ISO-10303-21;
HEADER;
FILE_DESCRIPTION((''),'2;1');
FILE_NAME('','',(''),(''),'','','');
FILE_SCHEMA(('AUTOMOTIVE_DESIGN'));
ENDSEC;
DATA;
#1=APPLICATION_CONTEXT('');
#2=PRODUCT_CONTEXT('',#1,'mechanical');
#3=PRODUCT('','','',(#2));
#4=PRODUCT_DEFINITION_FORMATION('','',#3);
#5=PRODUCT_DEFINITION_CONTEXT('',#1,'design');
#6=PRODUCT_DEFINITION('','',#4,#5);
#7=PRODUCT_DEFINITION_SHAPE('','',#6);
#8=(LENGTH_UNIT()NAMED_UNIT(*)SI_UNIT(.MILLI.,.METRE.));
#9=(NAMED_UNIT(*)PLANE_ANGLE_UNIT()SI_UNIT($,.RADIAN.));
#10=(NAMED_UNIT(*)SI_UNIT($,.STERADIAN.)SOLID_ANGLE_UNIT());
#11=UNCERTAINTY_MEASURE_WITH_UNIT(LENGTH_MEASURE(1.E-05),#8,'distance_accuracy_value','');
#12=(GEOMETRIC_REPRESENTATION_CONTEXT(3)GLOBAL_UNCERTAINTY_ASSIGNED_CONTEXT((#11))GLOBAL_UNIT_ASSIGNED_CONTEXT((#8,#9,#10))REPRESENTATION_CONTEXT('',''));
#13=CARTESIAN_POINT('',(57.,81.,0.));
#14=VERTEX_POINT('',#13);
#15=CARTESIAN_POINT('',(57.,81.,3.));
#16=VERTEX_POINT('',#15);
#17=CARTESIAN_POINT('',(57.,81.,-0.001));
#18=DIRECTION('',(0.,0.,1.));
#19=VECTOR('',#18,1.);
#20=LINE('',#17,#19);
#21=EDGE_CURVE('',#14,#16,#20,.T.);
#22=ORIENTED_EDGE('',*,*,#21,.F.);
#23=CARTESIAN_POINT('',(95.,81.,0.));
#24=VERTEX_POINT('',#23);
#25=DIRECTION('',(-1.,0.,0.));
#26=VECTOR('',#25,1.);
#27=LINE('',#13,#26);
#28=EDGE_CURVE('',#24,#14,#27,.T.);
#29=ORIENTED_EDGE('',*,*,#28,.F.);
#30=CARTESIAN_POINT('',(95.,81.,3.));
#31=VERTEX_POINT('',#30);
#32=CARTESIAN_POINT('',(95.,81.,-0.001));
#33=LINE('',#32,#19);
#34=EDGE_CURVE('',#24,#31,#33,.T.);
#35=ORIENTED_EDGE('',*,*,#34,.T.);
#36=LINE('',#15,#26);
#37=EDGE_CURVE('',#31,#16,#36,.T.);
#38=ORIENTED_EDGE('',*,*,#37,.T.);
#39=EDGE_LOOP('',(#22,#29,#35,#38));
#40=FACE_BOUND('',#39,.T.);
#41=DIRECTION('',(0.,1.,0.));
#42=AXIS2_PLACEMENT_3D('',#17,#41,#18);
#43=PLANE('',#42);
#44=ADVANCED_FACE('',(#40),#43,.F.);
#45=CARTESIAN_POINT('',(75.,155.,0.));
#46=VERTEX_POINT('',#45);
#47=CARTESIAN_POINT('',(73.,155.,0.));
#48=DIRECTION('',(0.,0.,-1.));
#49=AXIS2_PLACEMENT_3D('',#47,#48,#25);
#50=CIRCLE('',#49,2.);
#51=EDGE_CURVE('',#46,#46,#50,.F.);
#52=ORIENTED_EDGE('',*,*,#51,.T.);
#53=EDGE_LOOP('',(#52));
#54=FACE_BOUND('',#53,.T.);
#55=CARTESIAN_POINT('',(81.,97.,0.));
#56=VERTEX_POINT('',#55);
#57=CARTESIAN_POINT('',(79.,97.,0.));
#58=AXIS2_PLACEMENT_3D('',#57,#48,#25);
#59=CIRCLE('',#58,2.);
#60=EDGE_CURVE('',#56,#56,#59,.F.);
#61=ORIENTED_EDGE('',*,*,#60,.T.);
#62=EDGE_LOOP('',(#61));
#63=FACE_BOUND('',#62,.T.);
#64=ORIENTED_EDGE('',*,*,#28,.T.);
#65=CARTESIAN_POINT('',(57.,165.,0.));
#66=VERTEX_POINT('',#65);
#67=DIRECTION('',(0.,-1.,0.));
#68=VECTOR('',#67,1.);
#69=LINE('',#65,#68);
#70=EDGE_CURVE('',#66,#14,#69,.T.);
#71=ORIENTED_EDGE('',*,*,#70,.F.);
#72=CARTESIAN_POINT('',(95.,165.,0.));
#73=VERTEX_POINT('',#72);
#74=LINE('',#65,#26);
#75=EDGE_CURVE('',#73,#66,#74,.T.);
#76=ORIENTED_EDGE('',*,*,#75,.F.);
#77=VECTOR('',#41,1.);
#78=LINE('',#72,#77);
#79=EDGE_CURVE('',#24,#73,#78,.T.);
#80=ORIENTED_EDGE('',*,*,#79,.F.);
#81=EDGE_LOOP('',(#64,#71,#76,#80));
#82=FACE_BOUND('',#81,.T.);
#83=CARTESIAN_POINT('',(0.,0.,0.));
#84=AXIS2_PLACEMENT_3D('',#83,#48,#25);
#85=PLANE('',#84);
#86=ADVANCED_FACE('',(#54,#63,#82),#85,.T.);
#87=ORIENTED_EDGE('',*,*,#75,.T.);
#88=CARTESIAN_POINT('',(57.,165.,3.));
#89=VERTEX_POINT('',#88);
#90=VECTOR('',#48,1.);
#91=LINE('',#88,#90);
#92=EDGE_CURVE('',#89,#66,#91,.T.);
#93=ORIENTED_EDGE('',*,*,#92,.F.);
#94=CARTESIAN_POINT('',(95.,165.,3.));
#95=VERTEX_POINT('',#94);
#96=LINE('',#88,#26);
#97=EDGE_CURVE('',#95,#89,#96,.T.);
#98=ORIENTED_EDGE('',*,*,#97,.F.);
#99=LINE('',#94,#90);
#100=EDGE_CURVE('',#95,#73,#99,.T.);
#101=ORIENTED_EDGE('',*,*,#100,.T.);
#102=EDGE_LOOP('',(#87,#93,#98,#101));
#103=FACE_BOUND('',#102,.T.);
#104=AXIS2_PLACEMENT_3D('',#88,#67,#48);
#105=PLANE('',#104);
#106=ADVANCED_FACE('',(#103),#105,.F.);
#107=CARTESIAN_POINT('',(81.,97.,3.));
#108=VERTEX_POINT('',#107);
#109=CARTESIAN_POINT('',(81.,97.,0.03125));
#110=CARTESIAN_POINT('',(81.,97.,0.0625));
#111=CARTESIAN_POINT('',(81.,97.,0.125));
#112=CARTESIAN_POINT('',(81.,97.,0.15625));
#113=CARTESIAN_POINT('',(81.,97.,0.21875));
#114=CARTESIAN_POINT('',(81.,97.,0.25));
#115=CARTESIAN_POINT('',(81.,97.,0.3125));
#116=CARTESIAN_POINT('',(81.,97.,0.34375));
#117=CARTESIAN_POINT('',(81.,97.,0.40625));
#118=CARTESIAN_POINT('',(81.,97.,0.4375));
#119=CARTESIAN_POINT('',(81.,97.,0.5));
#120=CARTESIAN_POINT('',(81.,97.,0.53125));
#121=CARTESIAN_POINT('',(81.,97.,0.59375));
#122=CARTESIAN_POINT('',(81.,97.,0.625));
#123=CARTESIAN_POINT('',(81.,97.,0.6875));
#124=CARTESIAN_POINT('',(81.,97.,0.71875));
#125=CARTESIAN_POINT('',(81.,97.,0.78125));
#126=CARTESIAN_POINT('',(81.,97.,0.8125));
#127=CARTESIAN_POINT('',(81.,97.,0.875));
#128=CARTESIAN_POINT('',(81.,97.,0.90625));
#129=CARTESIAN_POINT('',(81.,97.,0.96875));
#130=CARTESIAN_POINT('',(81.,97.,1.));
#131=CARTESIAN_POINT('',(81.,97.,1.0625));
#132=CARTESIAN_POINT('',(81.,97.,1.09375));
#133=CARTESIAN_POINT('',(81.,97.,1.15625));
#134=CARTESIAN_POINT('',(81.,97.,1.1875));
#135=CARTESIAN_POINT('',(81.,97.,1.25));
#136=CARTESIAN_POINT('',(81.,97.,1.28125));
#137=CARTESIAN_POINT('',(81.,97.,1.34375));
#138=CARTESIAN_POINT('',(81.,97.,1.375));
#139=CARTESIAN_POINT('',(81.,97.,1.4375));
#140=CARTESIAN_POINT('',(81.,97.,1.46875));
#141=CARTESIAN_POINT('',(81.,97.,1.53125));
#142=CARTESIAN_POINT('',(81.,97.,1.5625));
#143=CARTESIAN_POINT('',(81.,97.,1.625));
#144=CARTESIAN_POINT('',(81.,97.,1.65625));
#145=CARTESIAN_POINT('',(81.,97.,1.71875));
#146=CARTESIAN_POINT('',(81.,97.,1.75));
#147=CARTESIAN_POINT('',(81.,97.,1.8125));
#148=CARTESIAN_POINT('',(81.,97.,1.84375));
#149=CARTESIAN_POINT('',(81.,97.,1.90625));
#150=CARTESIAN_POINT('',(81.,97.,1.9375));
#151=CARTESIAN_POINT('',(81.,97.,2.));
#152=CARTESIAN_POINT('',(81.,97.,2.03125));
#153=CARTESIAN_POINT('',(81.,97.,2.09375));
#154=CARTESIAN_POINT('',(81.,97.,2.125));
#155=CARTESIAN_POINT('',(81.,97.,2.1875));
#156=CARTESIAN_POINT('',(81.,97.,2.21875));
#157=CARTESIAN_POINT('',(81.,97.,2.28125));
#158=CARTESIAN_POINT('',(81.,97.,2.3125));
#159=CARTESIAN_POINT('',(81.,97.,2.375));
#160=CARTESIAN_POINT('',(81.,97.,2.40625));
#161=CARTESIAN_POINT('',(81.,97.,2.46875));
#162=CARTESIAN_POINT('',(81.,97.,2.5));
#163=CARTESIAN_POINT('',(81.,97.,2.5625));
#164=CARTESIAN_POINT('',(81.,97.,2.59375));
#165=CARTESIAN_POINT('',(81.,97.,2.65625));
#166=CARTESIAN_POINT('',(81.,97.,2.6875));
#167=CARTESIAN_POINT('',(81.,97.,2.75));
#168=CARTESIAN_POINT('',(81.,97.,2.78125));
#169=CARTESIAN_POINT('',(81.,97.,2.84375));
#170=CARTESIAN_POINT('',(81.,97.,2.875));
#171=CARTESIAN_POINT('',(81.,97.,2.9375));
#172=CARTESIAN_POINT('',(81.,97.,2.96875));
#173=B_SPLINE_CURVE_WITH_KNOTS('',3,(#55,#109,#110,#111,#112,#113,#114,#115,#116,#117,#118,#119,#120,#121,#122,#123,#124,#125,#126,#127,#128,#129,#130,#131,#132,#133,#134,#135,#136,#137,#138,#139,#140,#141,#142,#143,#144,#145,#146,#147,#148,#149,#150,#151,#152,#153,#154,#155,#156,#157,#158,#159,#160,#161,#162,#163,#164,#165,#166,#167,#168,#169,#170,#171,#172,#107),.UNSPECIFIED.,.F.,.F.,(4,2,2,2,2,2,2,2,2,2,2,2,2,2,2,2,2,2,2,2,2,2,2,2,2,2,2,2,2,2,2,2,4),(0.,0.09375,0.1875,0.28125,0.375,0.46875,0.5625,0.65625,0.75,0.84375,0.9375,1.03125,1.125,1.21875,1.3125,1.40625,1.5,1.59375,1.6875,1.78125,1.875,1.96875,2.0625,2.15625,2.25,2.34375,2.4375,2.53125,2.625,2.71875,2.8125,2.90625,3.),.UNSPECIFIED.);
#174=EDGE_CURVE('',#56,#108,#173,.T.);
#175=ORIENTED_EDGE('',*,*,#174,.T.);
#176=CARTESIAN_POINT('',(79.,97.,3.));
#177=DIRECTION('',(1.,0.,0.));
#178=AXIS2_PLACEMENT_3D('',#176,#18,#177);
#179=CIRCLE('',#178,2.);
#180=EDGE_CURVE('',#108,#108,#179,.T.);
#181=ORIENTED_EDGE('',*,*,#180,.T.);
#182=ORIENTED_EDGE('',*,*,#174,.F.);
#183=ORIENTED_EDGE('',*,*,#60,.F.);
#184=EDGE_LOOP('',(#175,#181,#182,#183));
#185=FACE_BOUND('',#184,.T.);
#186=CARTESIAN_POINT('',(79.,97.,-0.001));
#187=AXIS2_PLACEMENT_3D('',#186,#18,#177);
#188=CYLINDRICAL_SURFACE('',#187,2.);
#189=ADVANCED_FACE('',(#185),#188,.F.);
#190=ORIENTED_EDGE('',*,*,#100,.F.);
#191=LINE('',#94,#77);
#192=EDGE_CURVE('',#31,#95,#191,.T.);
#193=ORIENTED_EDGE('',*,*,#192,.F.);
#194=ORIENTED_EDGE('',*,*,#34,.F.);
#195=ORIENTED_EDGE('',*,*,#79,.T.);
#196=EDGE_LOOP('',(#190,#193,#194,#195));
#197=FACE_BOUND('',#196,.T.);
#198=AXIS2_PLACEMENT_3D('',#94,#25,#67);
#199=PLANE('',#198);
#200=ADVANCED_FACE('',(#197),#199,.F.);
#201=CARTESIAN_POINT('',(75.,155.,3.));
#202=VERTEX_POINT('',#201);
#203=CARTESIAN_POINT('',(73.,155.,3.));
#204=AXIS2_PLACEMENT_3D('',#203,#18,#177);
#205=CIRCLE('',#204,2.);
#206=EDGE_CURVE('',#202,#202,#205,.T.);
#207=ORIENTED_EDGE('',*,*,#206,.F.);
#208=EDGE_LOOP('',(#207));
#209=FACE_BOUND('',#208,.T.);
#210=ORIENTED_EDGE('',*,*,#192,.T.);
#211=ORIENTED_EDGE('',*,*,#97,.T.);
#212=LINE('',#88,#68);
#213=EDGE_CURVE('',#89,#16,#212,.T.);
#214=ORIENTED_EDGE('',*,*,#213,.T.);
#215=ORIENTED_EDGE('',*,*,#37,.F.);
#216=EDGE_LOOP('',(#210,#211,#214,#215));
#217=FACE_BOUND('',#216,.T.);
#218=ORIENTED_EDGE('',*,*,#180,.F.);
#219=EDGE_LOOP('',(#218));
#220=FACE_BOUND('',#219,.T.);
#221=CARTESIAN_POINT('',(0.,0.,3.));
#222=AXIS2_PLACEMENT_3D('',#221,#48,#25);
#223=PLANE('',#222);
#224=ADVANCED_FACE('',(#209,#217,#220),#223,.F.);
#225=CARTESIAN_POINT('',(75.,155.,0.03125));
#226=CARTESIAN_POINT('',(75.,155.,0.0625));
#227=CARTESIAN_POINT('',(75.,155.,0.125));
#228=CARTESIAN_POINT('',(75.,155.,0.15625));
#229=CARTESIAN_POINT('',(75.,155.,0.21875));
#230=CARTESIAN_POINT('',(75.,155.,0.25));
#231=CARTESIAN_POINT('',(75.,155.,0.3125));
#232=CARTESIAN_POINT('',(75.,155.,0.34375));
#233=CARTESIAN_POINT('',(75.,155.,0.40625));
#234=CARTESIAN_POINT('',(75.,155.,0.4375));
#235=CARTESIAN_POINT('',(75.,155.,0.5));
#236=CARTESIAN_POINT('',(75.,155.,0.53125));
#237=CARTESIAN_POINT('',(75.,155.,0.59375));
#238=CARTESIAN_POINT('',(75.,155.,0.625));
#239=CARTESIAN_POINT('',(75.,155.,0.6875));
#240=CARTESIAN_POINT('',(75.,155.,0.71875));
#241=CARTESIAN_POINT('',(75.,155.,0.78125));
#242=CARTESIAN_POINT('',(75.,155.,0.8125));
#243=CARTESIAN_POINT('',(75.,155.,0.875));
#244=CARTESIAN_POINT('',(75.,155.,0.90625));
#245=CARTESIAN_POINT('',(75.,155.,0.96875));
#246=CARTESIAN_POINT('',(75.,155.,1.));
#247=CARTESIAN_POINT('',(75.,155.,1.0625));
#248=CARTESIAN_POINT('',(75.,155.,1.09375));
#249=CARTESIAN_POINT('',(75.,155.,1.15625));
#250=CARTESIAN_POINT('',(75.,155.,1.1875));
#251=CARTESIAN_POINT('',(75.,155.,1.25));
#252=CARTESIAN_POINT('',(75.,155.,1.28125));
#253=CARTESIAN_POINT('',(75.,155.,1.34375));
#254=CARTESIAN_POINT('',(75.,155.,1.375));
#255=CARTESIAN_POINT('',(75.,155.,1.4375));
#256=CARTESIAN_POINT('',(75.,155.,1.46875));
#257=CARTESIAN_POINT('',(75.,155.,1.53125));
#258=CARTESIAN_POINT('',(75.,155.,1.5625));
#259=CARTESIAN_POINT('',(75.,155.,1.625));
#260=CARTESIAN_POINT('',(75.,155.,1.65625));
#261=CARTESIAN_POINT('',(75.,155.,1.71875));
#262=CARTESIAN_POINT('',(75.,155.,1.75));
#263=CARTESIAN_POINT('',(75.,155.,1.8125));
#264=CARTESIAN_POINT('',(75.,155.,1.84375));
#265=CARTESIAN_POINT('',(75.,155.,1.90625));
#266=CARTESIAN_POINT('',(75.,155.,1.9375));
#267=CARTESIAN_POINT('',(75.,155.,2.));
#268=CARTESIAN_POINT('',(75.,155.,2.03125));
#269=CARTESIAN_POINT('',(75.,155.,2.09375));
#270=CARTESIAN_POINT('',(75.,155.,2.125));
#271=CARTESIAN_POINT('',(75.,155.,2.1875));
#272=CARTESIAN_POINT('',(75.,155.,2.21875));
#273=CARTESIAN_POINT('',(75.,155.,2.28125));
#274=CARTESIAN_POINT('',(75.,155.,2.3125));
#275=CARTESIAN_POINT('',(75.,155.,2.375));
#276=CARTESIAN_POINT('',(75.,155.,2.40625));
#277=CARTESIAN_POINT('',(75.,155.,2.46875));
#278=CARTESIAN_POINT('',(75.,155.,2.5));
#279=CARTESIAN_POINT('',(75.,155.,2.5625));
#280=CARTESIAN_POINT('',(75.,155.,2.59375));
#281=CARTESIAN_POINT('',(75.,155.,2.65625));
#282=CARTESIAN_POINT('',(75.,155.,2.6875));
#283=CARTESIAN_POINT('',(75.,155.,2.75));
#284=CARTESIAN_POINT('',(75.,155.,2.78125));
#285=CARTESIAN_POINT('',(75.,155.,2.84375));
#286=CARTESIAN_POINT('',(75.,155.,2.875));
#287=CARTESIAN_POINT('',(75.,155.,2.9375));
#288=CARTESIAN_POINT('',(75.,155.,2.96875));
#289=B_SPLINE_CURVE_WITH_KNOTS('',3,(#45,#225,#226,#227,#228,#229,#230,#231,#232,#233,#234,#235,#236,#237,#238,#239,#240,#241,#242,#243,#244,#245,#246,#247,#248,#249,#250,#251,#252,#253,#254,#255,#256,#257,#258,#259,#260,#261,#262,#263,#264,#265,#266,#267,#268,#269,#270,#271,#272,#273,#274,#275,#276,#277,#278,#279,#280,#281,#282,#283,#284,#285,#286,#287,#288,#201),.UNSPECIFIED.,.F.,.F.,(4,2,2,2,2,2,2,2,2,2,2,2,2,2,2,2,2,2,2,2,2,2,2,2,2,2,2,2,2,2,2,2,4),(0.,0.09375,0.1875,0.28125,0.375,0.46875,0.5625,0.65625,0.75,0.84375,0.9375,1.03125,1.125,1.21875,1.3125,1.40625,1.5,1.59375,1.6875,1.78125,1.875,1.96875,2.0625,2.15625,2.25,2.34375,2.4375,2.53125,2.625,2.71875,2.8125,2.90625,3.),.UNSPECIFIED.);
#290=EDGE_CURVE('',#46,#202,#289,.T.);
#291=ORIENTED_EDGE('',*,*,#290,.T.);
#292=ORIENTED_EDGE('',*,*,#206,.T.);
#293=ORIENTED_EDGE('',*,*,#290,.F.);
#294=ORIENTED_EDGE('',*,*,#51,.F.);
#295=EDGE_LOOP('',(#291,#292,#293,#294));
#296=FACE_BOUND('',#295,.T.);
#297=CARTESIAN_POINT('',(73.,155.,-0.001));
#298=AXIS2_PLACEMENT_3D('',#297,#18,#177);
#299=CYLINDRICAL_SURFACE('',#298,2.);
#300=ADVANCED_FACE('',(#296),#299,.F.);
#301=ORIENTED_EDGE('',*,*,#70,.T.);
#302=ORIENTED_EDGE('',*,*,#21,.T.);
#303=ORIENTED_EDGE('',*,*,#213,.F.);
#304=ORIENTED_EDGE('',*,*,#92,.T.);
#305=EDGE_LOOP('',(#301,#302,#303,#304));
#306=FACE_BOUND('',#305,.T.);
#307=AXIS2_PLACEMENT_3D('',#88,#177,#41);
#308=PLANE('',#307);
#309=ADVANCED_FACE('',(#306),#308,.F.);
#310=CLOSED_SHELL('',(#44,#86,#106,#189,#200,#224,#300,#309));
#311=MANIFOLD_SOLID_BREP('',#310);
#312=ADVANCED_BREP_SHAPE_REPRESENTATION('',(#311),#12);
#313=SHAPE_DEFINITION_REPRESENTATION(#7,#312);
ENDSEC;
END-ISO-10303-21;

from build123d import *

# Parameters (mm, degrees)
ESQUISSE1_W             = 38
ESQUISSE1_H             = 320
BOSS_EXTRU_1_DEPTH      = 3
ENL_V_MAT_EXTRU_1_REACH = 192.418
ESQUISSE2_R             = 2
ENL_V_MAT_EXTRU_2_REACH = 192.418
ESQUISSE3_W             = 38
ESQUISSE3_H             = 236


with BuildPart() as part:
    # Esquisse1 → Boss.-Extru.1 (new body)
    with BuildSketch(Plane.XY):
        with Locations((76, 5)):
            Rectangle(ESQUISSE1_W, ESQUISSE1_H)
    extrude(amount=BOSS_EXTRU_1_DEPTH)

    # Esquisse2 → Enlèv. mat.-Extru.1 (cut, up to next)
    with BuildSketch(Plane.XY.offset(3), mode=Mode.PRIVATE) as enl_v_mat_extru_1_sk1:
        with Locations((73, 155)):
            Circle(ESQUISSE2_R)
    enl_v_mat_extru_1_tool1 = extrude(enl_v_mat_extru_1_sk1.sketch, amount=-ENL_V_MAT_EXTRU_1_REACH, mode=Mode.PRIVATE) & part.part
    # Esquisse2 → Enlèv. mat.-Extru.1 (cut, up to next)
    with BuildSketch(Plane.XY.offset(3), mode=Mode.PRIVATE) as enl_v_mat_extru_1_sk2:
        with Locations((79, 97)):
            Circle(ESQUISSE2_R)
    enl_v_mat_extru_1_tool2 = extrude(enl_v_mat_extru_1_sk2.sketch, amount=-ENL_V_MAT_EXTRU_1_REACH, mode=Mode.PRIVATE) & part.part
    add(enl_v_mat_extru_1_tool1.solids().sort_by_distance((73, 155, 3))[0], mode=Mode.SUBTRACT)
    add(enl_v_mat_extru_1_tool2.solids().sort_by_distance((79, 97, 3))[0], mode=Mode.SUBTRACT)

    # Esquisse3 → Enlèv. mat.-Extru.2 (cut, up to next)
    with BuildSketch(Plane.XY.offset(3), mode=Mode.PRIVATE) as enl_v_mat_extru_2_sk1:
        with Locations((76, -37)):
            Rectangle(ESQUISSE3_W, ESQUISSE3_H)
    enl_v_mat_extru_2_tool1 = extrude(enl_v_mat_extru_2_sk1.sketch, amount=-ENL_V_MAT_EXTRU_2_REACH, mode=Mode.PRIVATE) & part.part
    add(enl_v_mat_extru_2_tool1.solids().sort_by_distance((76, -37, 3))[0], mode=Mode.SUBTRACT)


solid = part.part
